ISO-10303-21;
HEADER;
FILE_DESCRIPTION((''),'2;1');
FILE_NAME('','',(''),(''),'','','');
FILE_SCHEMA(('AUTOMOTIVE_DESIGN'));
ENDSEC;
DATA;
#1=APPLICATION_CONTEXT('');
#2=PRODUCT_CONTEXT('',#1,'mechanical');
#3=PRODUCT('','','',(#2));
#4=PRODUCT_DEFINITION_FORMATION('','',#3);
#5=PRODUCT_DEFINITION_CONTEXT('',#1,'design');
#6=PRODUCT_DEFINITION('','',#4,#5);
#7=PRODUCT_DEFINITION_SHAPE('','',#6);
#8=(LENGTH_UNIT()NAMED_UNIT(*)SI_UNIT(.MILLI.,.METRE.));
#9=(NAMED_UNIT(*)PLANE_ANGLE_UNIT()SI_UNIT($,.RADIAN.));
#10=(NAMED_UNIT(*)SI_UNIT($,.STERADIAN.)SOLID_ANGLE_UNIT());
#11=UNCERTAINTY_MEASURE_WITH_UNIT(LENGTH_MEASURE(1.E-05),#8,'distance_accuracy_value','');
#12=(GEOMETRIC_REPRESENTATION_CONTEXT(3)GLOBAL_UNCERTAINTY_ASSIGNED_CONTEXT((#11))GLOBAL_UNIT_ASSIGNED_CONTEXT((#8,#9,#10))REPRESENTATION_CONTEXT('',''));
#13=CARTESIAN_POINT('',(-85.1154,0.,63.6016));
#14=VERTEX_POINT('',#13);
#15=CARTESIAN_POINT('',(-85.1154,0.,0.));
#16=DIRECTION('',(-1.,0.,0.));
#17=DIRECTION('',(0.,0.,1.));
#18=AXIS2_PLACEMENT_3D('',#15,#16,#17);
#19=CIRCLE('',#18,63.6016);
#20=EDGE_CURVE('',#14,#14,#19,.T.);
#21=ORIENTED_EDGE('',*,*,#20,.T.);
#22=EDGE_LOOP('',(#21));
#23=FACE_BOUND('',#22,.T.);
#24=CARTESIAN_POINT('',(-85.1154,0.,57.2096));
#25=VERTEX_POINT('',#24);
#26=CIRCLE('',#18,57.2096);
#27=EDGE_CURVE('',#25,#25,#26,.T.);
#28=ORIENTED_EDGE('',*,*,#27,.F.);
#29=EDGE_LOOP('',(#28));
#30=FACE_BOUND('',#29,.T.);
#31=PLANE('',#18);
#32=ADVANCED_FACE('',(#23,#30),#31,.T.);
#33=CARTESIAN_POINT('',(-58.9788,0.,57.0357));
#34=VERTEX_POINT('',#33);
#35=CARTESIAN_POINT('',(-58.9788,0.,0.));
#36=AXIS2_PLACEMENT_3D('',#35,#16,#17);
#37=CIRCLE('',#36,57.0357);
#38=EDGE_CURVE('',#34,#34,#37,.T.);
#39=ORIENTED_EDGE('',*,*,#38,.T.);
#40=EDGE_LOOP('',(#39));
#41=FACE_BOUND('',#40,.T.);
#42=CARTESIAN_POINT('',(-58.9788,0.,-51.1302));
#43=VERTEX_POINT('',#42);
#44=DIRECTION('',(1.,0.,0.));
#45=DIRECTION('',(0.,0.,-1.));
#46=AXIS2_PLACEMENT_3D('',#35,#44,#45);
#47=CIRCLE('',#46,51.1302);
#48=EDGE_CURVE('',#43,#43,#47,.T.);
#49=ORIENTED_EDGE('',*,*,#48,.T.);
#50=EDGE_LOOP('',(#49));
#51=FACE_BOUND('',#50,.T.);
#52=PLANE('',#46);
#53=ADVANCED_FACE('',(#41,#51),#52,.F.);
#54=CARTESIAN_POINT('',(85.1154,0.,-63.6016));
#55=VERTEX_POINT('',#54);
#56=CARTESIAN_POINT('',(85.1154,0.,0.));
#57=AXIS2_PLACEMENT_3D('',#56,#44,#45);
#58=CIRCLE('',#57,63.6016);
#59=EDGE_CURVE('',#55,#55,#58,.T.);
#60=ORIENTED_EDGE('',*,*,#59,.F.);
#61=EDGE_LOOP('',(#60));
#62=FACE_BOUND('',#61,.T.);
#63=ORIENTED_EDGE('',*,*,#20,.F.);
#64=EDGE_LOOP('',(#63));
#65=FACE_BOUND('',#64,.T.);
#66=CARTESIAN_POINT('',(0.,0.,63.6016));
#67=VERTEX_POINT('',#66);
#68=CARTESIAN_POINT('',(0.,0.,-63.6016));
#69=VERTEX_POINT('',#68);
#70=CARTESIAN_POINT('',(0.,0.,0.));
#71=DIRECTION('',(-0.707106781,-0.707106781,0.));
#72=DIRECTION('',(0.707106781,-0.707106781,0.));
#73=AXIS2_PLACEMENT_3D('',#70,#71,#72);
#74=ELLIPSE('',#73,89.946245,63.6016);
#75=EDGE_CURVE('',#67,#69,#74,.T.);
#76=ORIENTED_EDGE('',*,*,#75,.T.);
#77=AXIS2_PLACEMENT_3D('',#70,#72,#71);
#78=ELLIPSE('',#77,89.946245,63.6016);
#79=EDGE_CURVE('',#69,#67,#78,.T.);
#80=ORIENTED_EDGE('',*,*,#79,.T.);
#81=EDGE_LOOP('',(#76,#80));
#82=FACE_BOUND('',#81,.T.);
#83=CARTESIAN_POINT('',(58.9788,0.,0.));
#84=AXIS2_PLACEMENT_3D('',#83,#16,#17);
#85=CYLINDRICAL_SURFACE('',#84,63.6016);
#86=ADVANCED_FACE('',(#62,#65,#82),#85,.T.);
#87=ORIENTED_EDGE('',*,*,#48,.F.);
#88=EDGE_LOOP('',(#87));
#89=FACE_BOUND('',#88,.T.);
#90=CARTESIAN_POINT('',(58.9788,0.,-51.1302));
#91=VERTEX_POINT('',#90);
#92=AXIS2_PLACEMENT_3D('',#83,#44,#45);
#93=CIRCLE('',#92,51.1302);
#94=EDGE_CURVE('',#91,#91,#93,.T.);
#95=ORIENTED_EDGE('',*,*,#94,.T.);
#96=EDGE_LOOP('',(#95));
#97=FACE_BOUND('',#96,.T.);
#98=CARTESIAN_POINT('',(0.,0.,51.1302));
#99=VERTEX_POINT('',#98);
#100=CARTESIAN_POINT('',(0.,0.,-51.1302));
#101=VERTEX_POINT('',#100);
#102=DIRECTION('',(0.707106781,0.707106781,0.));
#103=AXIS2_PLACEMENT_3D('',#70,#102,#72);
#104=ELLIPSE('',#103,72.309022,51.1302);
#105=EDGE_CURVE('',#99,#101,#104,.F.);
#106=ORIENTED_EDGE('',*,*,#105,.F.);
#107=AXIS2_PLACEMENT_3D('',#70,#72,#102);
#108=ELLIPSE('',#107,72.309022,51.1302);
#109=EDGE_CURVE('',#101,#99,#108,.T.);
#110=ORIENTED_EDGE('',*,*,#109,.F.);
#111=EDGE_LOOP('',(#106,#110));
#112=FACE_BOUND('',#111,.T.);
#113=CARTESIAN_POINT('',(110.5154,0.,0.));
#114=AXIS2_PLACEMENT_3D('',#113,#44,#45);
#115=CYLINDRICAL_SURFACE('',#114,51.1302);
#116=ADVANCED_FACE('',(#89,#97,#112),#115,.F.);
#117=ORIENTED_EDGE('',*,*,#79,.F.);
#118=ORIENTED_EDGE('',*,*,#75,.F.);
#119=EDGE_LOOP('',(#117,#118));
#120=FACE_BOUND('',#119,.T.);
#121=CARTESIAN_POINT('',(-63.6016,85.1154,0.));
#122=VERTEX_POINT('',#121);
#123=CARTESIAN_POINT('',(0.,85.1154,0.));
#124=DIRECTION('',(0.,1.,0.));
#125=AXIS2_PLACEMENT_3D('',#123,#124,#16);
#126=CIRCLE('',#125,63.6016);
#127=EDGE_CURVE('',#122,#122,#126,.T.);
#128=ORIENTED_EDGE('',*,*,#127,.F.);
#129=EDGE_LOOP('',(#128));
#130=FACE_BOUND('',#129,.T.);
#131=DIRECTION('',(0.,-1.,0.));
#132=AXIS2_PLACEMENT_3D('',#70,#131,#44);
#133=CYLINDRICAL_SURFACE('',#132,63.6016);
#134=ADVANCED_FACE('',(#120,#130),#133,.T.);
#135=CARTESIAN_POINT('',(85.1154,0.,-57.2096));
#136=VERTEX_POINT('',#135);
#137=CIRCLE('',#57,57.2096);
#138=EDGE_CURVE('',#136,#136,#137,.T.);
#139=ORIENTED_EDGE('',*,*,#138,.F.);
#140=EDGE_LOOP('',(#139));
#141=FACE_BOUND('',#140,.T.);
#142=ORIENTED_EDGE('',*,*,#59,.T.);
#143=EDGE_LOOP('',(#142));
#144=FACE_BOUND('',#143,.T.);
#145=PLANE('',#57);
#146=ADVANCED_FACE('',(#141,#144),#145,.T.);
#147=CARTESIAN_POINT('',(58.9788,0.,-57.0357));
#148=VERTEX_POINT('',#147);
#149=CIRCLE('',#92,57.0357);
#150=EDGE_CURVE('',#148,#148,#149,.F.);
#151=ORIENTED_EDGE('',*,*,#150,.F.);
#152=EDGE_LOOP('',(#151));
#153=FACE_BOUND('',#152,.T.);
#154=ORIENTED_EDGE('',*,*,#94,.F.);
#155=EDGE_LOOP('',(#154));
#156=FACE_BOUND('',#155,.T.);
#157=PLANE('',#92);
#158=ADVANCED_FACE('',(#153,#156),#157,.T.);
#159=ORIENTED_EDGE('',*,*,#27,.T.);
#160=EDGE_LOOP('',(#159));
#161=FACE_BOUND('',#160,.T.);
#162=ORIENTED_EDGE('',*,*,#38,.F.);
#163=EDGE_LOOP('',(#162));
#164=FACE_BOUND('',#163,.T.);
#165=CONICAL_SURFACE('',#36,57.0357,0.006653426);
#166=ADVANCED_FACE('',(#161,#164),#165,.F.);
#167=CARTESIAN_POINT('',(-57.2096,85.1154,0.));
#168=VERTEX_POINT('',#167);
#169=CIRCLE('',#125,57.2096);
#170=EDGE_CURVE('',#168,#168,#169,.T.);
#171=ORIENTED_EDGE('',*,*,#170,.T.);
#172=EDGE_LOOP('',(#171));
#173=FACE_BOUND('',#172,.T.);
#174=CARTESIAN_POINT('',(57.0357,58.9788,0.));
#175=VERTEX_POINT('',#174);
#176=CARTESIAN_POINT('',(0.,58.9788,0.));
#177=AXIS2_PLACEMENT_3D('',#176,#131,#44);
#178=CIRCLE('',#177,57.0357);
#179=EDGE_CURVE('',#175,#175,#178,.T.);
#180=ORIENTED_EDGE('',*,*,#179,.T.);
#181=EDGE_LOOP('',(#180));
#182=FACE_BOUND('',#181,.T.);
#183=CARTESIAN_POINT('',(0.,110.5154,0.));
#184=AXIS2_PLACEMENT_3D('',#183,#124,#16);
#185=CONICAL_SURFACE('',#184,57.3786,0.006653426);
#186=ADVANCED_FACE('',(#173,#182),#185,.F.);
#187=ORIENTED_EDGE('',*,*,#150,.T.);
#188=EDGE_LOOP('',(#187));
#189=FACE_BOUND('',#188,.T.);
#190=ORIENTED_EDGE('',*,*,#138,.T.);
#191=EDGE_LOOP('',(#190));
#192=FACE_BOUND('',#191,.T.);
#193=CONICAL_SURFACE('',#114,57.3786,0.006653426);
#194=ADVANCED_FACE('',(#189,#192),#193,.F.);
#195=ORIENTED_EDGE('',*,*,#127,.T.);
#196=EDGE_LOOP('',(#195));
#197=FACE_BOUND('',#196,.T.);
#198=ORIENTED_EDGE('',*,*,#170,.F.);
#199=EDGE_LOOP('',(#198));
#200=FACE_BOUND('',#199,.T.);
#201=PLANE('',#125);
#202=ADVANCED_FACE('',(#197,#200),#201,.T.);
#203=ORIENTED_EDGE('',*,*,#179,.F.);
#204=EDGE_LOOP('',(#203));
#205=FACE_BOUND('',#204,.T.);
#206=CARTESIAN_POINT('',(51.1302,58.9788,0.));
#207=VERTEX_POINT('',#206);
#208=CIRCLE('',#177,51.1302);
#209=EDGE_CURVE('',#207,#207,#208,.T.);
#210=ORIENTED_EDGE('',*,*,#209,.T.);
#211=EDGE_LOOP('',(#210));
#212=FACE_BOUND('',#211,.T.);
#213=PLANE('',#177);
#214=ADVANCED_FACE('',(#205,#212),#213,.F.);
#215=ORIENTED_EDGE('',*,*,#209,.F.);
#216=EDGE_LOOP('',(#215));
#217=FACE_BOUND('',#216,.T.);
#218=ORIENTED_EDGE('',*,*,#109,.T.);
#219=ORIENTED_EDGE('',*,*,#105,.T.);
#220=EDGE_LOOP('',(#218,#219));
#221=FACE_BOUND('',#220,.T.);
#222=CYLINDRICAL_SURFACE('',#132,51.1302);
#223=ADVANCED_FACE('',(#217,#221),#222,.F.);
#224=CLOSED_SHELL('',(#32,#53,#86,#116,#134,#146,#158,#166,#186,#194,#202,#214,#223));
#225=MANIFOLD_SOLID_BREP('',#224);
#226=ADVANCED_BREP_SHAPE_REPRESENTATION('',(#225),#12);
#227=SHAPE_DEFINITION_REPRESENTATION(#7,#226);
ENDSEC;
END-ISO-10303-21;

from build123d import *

# Parameters (mm, degrees)
SKETCH4_R           = 63.6016
BOSS_EXTRUDE1_DEPTH = 117.9576
SKETCH5_R           = 63.6016
BOSS_EXTRUDE2_DEPTH = 58.9788
SKETCH8_R           = 63.6016
SKETCH8_R_2         = 47.397505823
CUT_EXTRUDE1_DEPTH  = 25.4
SKETCH9_R           = 79.726534617
SKETCH9_R_2         = 24.880704632
CUT_EXTRUDE2_DEPTH  = 25.4
SKETCH10_R          = 82.836499496
SKETCH10_R_2        = 21.967276082
CUT_EXTRUDE3_DEPTH  = 25.4


with BuildPart() as part:
    # Sketch1 → Revolve1 (revolve)
    with BuildSketch(Plane.XY):
        Polygon((-110.5154, -63.6016), (-58.9788, -63.6016), (-58.9788, -57.0357), (-110.5154, -57.3786), align=None)
        Polygon((110.5154, -57.3786), (58.9788, -57.0357), (58.9788, -63.6016), (110.5154, -63.6016), align=None)
    revolve(axis=Axis((-110.5154, 0, 0), (1, 0, 0)))



with BuildPart() as body_2:
    # Sketch2 → Revolve2 (revolve)
    with BuildSketch(Plane.XY):
        Polygon((57.3786, 110.5154), (57.0357, 58.9788), (63.6016, 58.9788), (63.6016, 110.5154), align=None)
    revolve(axis=Axis((0, 0, 0), (0, 1, 0)))


with BuildPart() as part_1:
    add(part.part)

    add(body_2.part)  # Boss-Extrude1 merges body 2
    # Sketch4 → Boss-Extrude1 (add)
    with BuildSketch(Plane(origin=(-58.9788, 0, 0), x_dir=(0, 0, -1), z_dir=(1, 0, 0))):
        Circle(SKETCH4_R)
    extrude(amount=BOSS_EXTRUDE1_DEPTH)

    # Sketch5 → Boss-Extrude2 (add)
    with BuildSketch(Plane.XZ.offset(-58.9788)):
        Circle(SKETCH5_R)
    extrude(amount=BOSS_EXTRUDE2_DEPTH)

    # Sketch6 → Cut-Revolve1 (revolve, cut)
    with BuildSketch(Plane.XY):
        Polygon((-110.5154, -57.3786), (-58.9788, -57.0357), (-58.9788, -51.1302), (58.9788, -51.1302), (58.9788, -57.0357), (110.5154, -57.3786), (110.5154, 0), (-110.5154, 0), align=None)
    revolve(axis=Axis((110.5154, 0, 0), (-1, 0, 0)), mode=Mode.SUBTRACT)

    # Sketch7 → Cut-Revolve2 (revolve, cut)
    with BuildSketch(Plane.XY):
        Polygon((57.3786, 110.5154), (57.0357, 58.9788), (51.1302, 58.9788), (51.1302, 0), (0, 0), (0, 110.5154), align=None)
    revolve(axis=Axis((0, 0, 0), (0, 1, 0)), mode=Mode.SUBTRACT)

    # Sketch8 → Cut-Extrude1 (cut)
    with BuildSketch(Plane(origin=(0, 110.5154, 0), x_dir=(1, 0, 0), z_dir=(0, 1, 0))):
        Circle(SKETCH8_R)
        Circle(SKETCH8_R_2, mode=Mode.SUBTRACT)
    extrude(amount=-CUT_EXTRUDE1_DEPTH, mode=Mode.SUBTRACT)

    # Sketch9 → Cut-Extrude2 (cut)
    with BuildSketch(Plane.ZY.offset(110.5154)):
        Circle(SKETCH9_R)
        Circle(SKETCH9_R_2, mode=Mode.SUBTRACT)
    extrude(amount=-CUT_EXTRUDE2_DEPTH, mode=Mode.SUBTRACT)

    # Sketch10 → Cut-Extrude3 (cut)
    with BuildSketch(Plane(origin=(110.5154, 0, 0), x_dir=(0, 0, -1), z_dir=(1, 0, 0))):
        Circle(SKETCH10_R)
        Circle(SKETCH10_R_2, mode=Mode.SUBTRACT)
    extrude(amount=-CUT_EXTRUDE3_DEPTH, mode=Mode.SUBTRACT)


solid = part_1.part
